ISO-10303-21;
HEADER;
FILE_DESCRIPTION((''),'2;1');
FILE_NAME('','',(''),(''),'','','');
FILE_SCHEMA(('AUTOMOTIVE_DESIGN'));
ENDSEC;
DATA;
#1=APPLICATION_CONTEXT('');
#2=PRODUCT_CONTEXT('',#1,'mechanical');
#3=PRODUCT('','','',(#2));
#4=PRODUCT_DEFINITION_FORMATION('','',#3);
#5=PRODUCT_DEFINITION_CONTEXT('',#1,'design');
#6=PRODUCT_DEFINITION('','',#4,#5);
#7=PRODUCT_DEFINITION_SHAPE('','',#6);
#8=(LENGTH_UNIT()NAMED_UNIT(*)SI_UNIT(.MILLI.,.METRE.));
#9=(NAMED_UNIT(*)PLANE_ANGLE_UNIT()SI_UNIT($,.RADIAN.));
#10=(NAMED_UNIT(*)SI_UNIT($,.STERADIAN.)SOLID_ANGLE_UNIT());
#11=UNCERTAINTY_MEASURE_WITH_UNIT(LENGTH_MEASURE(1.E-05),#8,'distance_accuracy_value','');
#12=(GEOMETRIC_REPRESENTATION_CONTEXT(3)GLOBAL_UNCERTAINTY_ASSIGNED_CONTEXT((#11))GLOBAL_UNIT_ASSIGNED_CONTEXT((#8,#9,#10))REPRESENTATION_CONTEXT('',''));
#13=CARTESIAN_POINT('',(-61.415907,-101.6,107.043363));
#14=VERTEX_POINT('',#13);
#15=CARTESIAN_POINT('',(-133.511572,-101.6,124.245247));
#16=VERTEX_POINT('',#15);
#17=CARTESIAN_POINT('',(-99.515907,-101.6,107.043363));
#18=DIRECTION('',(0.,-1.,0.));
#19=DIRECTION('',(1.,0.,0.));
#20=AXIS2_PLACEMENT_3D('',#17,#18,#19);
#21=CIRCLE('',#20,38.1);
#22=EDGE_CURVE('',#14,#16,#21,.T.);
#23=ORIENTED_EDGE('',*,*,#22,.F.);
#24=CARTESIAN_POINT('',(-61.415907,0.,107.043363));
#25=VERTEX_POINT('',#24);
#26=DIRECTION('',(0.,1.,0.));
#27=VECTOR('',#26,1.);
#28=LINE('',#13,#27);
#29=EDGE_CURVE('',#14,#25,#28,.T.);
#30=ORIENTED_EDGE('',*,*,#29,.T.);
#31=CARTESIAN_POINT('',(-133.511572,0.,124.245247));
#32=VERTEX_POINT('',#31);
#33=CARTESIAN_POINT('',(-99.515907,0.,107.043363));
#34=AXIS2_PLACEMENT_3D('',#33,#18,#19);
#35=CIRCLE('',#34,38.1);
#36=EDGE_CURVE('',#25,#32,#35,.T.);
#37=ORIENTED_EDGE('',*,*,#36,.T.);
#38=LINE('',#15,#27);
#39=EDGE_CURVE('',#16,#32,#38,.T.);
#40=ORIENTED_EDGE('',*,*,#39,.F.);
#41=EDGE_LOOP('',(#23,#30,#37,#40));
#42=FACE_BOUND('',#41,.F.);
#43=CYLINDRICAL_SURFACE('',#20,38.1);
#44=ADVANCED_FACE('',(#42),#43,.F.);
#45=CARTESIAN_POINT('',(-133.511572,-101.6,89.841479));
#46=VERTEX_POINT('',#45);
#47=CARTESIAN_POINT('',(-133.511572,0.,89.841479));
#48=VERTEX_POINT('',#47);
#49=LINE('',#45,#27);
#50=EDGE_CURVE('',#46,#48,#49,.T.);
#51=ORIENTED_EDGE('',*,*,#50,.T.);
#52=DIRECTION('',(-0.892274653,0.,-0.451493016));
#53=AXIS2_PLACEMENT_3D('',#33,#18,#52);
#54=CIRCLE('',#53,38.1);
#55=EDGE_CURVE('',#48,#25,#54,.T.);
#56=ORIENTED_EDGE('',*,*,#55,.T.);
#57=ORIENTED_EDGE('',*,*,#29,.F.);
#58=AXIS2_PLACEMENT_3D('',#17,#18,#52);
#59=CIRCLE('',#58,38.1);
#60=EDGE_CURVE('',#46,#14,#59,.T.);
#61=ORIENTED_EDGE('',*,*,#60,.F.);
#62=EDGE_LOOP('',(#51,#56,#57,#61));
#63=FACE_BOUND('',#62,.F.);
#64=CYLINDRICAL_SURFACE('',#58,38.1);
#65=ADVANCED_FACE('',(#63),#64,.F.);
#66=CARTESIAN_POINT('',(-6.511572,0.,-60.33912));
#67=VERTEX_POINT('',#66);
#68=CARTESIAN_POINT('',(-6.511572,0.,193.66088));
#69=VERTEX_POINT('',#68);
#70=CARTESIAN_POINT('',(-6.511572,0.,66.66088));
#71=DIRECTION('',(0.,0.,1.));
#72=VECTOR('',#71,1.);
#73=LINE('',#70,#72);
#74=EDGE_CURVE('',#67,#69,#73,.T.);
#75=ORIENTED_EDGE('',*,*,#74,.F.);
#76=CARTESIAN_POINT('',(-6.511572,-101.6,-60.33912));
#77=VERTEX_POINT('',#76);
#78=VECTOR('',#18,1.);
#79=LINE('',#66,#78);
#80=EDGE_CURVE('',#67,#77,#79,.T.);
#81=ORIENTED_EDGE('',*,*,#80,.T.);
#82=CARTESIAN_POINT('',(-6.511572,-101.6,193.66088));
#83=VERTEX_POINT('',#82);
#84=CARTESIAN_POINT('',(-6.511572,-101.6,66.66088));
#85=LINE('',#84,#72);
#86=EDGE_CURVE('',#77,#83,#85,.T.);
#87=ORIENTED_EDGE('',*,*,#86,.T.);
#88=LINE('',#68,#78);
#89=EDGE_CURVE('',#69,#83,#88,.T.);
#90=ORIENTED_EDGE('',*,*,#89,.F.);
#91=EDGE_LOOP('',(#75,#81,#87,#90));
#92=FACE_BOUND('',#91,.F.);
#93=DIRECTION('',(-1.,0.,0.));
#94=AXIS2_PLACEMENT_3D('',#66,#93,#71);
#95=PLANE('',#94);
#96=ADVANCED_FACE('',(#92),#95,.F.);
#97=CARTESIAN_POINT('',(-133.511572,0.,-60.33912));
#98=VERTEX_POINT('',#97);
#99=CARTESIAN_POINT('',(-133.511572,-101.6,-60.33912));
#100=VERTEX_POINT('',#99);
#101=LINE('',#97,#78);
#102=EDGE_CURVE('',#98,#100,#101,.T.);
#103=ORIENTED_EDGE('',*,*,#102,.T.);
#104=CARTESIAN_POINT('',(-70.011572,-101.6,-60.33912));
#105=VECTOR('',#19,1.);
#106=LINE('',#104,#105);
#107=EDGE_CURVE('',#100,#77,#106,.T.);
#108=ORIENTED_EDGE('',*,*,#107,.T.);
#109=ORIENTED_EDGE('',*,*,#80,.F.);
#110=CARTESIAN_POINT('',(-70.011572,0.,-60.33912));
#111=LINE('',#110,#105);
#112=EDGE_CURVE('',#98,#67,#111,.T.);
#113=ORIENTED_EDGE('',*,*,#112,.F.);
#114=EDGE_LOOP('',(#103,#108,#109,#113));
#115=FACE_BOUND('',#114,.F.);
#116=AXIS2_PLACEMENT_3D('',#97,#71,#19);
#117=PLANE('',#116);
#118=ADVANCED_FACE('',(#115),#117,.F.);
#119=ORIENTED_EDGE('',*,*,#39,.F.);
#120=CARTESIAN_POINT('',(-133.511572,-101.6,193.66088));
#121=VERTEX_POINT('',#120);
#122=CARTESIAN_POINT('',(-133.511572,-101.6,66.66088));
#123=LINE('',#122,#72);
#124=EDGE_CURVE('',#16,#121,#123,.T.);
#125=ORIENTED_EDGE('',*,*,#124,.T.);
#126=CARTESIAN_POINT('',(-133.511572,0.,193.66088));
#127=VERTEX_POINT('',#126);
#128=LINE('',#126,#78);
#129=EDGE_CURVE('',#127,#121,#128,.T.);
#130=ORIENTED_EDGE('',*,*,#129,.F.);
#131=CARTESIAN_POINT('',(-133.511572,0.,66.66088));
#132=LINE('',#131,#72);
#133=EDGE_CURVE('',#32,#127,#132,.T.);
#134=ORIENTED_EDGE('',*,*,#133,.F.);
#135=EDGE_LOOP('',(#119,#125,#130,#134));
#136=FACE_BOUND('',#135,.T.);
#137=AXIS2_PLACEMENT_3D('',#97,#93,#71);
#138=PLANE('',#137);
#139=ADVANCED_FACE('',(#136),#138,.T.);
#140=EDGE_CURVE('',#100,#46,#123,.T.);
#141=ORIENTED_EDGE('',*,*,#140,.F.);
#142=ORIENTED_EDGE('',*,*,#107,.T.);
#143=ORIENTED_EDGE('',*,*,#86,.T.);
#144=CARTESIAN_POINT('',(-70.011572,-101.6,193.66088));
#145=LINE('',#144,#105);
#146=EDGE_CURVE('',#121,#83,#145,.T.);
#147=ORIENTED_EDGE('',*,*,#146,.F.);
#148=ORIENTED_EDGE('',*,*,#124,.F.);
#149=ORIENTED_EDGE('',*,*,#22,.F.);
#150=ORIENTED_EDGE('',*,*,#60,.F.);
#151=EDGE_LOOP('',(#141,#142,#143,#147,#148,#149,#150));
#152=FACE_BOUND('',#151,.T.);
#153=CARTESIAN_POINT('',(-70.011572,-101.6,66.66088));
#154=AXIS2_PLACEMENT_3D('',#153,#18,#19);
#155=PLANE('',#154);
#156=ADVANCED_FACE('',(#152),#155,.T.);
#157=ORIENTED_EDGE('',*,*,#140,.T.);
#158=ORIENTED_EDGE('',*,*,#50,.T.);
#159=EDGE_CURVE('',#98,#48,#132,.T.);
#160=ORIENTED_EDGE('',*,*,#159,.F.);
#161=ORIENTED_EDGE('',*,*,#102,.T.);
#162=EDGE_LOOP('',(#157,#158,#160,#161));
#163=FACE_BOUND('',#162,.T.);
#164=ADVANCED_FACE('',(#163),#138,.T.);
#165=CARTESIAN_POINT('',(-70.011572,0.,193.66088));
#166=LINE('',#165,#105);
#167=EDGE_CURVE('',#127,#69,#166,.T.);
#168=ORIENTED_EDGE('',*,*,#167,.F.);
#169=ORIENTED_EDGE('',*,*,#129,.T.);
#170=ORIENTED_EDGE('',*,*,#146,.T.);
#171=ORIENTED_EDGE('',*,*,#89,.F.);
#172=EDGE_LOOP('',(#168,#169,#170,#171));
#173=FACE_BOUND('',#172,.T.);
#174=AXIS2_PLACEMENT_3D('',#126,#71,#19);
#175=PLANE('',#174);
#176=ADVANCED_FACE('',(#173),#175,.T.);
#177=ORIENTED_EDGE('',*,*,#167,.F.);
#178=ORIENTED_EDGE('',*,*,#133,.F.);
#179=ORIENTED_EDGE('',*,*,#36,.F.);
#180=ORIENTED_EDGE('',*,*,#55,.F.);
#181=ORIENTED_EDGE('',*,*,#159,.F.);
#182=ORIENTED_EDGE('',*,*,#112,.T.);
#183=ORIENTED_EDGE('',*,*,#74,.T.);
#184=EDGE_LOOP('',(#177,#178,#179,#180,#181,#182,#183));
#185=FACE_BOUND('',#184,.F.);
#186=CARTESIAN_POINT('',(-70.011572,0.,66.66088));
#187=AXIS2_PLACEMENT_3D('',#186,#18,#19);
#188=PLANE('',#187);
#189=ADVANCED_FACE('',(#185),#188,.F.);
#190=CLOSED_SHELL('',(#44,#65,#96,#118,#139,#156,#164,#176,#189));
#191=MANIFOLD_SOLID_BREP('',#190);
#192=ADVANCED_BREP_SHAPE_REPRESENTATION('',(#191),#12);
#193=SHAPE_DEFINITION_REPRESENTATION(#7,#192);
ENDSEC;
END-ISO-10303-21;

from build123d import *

# Parameters (mm, degrees)
F0_W     = 127
F0_H     = 254
F1_DEPTH = 101.6
F3_DEPTH = 101.601


with BuildPart() as f1:
    # F0 (on Front) → F1 (new body)
    with BuildSketch(Plane.XZ):
        with Locations((-70.0115717482, 66.6608795685)):
            Rectangle(F0_W, F0_H)
    extrude(amount=F1_DEPTH)

    # F2 (on face) → F3 (cut, through all)
    with BuildSketch(Plane.XZ.offset(101.6)):
        with BuildLine():
            ThreePointArc((-133.5115717482, 89.8414792443), (-90.6735324782, 69.9836491161), (-61.4159074664, 107.0433631539))
            ThreePointArc((-61.4159074664, 107.0433631539), (-90.6735324782, 144.1030771918), (-133.5115717482, 124.2452470636))
            Line((-133.5115717482, 124.2452470636), (-133.5115717482, 89.8414792443))
        make_face()
    extrude(amount=-F3_DEPTH, mode=Mode.SUBTRACT)


solid = f1.part
